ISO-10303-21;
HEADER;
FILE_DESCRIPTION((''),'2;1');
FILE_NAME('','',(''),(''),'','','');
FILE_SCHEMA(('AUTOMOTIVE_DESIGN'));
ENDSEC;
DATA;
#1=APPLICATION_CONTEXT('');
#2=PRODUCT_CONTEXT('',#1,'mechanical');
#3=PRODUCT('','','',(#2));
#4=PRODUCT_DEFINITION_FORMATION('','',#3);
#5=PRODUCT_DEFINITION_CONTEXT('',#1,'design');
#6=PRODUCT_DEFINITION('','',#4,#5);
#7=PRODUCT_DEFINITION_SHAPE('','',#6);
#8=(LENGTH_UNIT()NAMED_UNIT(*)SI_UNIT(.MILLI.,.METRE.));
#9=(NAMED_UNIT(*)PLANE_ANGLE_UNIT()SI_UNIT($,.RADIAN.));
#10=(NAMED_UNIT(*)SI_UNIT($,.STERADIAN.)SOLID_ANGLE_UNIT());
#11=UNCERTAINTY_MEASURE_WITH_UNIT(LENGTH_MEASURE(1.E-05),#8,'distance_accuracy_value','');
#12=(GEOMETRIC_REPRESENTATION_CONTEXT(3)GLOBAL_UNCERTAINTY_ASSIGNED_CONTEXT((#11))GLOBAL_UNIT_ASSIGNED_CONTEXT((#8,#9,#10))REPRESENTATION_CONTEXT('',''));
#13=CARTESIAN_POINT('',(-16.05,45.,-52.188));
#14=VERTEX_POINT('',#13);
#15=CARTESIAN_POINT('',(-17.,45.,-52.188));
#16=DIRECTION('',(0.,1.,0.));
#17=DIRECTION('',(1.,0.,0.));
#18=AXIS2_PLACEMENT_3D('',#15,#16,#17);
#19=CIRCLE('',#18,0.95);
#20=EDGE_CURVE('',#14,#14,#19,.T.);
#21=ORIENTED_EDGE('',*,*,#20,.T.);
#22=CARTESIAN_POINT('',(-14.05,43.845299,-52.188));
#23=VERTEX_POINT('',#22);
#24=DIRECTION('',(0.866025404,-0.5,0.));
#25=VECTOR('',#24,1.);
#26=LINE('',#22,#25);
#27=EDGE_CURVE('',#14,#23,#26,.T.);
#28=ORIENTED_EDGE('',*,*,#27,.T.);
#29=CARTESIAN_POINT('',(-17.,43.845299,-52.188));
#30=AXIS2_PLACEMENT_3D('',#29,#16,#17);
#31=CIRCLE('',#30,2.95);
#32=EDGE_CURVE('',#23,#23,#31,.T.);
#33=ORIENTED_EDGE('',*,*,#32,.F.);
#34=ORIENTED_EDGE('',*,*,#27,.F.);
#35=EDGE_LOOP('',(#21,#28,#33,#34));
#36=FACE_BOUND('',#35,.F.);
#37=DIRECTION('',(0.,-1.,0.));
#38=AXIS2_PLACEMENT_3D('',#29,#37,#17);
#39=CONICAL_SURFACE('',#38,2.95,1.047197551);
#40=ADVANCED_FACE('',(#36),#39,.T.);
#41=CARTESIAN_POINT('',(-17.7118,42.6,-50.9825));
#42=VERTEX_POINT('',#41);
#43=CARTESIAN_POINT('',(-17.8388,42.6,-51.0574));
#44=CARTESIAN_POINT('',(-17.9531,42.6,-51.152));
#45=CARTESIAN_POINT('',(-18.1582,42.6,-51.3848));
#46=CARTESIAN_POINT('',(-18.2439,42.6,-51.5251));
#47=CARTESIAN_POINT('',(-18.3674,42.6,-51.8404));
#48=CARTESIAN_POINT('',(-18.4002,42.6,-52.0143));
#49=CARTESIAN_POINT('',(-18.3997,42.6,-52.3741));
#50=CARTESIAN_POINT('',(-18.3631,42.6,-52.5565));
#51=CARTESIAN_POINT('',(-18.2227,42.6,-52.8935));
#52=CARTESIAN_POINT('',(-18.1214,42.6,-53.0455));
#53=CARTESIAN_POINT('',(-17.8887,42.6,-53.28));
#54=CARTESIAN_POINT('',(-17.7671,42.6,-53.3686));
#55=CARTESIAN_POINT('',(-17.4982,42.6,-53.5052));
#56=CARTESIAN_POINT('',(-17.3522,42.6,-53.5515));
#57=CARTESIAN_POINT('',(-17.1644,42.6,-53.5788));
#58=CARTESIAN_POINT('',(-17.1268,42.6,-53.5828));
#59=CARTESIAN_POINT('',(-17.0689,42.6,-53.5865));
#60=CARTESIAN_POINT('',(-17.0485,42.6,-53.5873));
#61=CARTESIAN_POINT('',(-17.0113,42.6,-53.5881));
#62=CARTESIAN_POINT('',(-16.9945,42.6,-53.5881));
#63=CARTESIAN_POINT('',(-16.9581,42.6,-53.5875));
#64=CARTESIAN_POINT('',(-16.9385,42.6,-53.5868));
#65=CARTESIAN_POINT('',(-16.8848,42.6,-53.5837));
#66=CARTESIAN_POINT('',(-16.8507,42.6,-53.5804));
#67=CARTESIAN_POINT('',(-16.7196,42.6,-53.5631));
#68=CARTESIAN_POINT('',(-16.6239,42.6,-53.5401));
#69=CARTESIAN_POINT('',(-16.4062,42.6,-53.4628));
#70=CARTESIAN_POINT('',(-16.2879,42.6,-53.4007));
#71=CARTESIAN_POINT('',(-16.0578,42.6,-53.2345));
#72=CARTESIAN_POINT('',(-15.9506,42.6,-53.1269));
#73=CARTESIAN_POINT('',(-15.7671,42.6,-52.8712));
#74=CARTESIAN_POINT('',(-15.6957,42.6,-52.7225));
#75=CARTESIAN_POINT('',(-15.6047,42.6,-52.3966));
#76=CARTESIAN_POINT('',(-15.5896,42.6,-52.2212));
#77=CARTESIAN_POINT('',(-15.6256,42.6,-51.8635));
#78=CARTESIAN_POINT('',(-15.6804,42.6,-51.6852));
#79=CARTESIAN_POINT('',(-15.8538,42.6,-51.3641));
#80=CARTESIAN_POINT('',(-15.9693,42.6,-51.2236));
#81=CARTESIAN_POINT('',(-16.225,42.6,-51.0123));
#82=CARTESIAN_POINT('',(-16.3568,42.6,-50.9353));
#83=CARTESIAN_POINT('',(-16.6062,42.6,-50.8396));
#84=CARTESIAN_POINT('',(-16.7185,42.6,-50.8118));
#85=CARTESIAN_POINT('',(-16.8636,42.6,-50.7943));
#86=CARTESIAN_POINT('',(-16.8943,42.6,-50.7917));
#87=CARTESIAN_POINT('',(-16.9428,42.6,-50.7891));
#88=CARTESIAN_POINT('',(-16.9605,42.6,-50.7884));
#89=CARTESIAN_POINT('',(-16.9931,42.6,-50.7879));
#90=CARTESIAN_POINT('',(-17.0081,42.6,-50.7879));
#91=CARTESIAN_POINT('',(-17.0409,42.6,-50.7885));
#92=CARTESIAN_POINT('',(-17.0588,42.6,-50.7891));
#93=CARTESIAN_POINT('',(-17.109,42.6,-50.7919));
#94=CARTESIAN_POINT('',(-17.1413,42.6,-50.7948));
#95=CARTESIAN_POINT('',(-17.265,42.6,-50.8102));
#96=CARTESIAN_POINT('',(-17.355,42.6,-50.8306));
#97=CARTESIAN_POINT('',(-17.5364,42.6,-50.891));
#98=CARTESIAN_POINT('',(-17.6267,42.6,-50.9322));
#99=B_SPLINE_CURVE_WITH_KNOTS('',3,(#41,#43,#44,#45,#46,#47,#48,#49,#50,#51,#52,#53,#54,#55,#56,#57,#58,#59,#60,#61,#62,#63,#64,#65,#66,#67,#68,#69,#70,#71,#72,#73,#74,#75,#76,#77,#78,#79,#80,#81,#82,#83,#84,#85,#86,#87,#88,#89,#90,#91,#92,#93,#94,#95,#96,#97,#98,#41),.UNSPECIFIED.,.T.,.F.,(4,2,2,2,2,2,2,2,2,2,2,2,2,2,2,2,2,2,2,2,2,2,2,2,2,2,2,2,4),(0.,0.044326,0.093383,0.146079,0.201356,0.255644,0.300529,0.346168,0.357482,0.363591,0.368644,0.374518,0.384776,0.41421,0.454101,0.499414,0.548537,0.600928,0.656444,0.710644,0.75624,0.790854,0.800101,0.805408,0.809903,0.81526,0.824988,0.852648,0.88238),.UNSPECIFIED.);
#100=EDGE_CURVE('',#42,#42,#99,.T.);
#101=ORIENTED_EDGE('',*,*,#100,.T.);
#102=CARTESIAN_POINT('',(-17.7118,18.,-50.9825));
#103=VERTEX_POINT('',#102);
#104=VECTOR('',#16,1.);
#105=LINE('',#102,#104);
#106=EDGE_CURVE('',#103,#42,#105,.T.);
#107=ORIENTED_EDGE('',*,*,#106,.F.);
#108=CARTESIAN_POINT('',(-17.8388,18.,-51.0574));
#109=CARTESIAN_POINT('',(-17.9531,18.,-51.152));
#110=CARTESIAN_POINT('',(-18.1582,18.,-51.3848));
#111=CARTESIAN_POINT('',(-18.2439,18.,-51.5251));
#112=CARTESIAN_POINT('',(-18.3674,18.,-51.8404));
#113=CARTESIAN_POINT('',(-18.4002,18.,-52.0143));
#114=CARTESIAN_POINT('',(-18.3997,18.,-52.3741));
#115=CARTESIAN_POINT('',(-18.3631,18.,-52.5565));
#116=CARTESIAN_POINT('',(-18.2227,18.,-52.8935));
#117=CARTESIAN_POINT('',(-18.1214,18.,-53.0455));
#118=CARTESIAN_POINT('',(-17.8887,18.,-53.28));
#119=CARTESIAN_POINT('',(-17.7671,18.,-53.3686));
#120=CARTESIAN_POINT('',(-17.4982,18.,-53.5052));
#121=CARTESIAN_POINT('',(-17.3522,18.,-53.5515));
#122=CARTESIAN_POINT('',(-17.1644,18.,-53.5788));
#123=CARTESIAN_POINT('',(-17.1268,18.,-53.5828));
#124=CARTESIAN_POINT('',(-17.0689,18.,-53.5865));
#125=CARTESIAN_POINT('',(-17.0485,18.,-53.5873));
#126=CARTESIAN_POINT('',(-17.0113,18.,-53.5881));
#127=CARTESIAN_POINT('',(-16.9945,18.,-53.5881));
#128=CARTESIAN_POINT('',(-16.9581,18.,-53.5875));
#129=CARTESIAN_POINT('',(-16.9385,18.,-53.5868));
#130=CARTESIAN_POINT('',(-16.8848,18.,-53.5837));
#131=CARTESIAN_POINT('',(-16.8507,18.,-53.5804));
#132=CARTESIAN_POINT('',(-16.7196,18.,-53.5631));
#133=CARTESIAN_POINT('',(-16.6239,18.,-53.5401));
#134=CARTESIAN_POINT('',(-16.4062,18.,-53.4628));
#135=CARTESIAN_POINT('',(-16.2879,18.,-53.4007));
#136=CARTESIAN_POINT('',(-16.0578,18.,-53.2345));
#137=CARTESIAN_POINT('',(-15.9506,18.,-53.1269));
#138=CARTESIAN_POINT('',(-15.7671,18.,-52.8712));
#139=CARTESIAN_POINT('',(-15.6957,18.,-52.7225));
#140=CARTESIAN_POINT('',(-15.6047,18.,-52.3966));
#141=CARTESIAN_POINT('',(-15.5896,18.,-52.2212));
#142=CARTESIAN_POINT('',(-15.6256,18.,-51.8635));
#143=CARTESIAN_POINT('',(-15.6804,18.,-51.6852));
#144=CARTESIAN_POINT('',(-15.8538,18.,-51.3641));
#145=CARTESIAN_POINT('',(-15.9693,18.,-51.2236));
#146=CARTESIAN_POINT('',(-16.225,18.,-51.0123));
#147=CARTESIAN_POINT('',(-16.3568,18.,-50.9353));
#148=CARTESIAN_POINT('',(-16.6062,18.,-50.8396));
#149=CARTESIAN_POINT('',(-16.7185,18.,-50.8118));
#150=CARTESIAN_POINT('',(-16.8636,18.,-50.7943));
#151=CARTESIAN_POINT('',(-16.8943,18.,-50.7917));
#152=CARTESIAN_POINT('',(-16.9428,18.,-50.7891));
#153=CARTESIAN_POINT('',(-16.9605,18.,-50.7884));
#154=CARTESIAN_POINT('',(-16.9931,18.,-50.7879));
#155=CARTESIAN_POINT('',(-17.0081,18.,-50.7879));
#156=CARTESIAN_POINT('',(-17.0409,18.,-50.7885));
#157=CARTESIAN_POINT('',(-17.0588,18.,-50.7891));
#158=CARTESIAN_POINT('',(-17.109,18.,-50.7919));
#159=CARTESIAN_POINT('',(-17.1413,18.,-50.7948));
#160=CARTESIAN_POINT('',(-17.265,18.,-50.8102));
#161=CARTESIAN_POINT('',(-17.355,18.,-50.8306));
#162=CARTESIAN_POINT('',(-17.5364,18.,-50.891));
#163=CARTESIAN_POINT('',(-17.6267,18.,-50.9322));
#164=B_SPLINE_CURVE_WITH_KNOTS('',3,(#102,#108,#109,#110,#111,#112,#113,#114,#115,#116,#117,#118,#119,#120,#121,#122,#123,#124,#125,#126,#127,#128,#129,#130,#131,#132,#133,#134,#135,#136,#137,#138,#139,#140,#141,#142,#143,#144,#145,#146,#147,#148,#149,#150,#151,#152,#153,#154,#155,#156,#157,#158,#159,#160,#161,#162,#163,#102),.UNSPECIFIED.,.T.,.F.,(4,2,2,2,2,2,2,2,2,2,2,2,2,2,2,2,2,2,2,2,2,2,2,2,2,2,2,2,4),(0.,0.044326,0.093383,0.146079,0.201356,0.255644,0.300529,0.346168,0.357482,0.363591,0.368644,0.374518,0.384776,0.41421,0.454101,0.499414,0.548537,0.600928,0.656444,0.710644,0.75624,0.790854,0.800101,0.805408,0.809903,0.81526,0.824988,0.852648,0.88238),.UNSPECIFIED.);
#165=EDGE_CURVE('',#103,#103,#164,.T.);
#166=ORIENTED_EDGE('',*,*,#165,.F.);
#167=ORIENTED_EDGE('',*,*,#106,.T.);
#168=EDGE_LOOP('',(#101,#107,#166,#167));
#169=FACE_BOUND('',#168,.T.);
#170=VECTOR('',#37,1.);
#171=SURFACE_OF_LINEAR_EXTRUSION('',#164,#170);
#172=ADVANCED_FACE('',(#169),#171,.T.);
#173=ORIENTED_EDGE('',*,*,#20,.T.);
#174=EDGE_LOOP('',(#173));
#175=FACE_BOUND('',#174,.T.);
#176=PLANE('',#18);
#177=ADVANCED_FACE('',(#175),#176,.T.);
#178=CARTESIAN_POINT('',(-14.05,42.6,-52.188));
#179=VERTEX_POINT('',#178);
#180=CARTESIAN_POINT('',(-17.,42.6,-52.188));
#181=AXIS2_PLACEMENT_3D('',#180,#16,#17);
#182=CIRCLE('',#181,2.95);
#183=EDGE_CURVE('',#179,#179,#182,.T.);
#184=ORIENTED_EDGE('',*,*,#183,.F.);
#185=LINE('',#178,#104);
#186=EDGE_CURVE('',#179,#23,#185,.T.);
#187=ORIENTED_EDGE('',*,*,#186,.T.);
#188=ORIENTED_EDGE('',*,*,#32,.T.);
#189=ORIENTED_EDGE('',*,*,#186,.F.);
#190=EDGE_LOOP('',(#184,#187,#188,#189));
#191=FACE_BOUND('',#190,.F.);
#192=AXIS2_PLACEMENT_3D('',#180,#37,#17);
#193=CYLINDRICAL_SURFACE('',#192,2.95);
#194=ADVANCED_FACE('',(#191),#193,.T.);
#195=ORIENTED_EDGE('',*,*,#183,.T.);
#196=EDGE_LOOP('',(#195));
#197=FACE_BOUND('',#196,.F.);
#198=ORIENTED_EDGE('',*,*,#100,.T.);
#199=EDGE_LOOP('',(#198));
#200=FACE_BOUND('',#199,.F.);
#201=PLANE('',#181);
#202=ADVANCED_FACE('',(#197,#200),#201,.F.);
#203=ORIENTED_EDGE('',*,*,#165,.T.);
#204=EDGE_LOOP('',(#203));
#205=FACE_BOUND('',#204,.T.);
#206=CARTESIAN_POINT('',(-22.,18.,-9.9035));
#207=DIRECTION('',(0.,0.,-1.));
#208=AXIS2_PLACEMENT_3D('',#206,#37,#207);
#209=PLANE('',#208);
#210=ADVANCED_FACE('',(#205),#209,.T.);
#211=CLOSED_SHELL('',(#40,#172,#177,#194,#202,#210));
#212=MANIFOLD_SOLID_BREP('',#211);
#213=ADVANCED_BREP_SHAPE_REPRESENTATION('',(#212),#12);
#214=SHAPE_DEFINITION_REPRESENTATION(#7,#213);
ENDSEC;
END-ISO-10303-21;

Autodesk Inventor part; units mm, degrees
ref_plane "YZ Plane" through (0, 0, 0) normal (1, 0, 0) x (0, 1, 0)
ref_plane "XZ Plane" through (0, 0, 0) normal (0, 1, 0) x (-1, 0, 0)
ref_plane "XY Plane" through (0, 0, 0) normal (0, 0, 1) x (1, 0, 0)
ref_plane "Work Plane1" through (-22, 18, -9.9035) normal (0, -1, 0) x (0, 0, -1)
sketch "Sketch1" plane through (-22, 18, -9.9035) normal (0, -1, 0) x (0, 0, -1)
  spline S0 degree 3 poles (41.079, 4.2882) (41.1539, 4.1612) (41.2485, 4.0469) (41.4813, 3.8418) (41.6216, 3.7561) (41.9369, 3.6326) (42.1108, 3.5998) (42.4706, 3.6003) (42.653, 3.6369) (42.99, 3.7773) (43.142, 3.8786) (43.3765, 4.1113) (43.4651, 4.2329) (43.6017, 4.5018) (43.648, 4.6478) (43.6753, 4.8356) (43.6793, 4.8732) (43.683, 4.9311) (43.6838, 4.9515) (43.6846, 4.9887) (43.6846, 5.0055) (43.684, 5.0419) (43.6833, 5.0615) (43.6802, 5.1152) (43.6769, 5.1493) (43.6596, 5.2804) (43.6366, 5.3761) (43.5593, 5.5938) (43.4972, 5.7121) (43.331, 5.9422) (43.2234, 6.0494) (42.9677, 6.2329) (42.819, 6.3043) (42.4931, 6.3953) (42.3177, 6.4104) (41.96, 6.3744) (41.7817, 6.3196) (41.4606, 6.1462) (41.3201, 6.0307) (41.1088, 5.775) (41.0318, 5.6432) (40.9361, 5.3938) (40.9083, 5.2815) (40.8908, 5.1364) (40.8882, 5.1057) (40.8856, 5.0572) (40.8849, 5.0395) (40.8844, 5.0069) (40.8844, 4.9919) (40.885, 4.9591) (40.8856, 4.9412) (40.8884, 4.891) (40.8913, 4.8587) (40.9067, 4.735) (40.9271, 4.645) (40.9875, 4.4636) (41.0287, 4.3733) (41.079, 4.2882) knots 0 0 0 0 0.044326 0.044326 0.093383 0.093383 0.146079 0.146079 0.201356 0.201356 0.255644 0.255644 0.300529 0.300529 0.346168 0.346168 0.357482 0.357482 0.363591 0.363591 0.368644 0.368644 0.374518 0.374518 0.384776 0.384776 0.41421 0.41421 0.454101 0.454101 0.499414 0.499414 0.548537 0.548537 0.600928 0.600928 0.656444 0.656444 0.710644 0.710644 0.75624 0.75624 0.790854 0.790854 0.800101 0.800101 0.805408 0.805408 0.809903 0.809903 0.81526 0.81526 0.824988 0.824988 0.852648 0.852648 0.88238 0.88238 0.88238 0.88238 projected
  point P0 (-9.9035, 22)
  point P1 (41.079, 4.2882)
extrude "Extrusion1" add sketch "Sketch1" against normal blind 24.6
sketch "Sketch2" plane through (-17, 42.6, -52.188) normal (0, 1, 0) x (1, 0, 0)
  circle A0 centre (0, 0) radius 2.95
  point P0 (17, -52.188)
  dimension "d2" = 5.9
extrude "Extrusion2" add sketch "Sketch2" along normal blind 2.4
chamfer "Chamfer1" distance 2 angle 30 1 edges at (-19.95, 45, -52.188) measured on face at (-16.264, 45, -53.3107)
properties part number "longerScrew"
